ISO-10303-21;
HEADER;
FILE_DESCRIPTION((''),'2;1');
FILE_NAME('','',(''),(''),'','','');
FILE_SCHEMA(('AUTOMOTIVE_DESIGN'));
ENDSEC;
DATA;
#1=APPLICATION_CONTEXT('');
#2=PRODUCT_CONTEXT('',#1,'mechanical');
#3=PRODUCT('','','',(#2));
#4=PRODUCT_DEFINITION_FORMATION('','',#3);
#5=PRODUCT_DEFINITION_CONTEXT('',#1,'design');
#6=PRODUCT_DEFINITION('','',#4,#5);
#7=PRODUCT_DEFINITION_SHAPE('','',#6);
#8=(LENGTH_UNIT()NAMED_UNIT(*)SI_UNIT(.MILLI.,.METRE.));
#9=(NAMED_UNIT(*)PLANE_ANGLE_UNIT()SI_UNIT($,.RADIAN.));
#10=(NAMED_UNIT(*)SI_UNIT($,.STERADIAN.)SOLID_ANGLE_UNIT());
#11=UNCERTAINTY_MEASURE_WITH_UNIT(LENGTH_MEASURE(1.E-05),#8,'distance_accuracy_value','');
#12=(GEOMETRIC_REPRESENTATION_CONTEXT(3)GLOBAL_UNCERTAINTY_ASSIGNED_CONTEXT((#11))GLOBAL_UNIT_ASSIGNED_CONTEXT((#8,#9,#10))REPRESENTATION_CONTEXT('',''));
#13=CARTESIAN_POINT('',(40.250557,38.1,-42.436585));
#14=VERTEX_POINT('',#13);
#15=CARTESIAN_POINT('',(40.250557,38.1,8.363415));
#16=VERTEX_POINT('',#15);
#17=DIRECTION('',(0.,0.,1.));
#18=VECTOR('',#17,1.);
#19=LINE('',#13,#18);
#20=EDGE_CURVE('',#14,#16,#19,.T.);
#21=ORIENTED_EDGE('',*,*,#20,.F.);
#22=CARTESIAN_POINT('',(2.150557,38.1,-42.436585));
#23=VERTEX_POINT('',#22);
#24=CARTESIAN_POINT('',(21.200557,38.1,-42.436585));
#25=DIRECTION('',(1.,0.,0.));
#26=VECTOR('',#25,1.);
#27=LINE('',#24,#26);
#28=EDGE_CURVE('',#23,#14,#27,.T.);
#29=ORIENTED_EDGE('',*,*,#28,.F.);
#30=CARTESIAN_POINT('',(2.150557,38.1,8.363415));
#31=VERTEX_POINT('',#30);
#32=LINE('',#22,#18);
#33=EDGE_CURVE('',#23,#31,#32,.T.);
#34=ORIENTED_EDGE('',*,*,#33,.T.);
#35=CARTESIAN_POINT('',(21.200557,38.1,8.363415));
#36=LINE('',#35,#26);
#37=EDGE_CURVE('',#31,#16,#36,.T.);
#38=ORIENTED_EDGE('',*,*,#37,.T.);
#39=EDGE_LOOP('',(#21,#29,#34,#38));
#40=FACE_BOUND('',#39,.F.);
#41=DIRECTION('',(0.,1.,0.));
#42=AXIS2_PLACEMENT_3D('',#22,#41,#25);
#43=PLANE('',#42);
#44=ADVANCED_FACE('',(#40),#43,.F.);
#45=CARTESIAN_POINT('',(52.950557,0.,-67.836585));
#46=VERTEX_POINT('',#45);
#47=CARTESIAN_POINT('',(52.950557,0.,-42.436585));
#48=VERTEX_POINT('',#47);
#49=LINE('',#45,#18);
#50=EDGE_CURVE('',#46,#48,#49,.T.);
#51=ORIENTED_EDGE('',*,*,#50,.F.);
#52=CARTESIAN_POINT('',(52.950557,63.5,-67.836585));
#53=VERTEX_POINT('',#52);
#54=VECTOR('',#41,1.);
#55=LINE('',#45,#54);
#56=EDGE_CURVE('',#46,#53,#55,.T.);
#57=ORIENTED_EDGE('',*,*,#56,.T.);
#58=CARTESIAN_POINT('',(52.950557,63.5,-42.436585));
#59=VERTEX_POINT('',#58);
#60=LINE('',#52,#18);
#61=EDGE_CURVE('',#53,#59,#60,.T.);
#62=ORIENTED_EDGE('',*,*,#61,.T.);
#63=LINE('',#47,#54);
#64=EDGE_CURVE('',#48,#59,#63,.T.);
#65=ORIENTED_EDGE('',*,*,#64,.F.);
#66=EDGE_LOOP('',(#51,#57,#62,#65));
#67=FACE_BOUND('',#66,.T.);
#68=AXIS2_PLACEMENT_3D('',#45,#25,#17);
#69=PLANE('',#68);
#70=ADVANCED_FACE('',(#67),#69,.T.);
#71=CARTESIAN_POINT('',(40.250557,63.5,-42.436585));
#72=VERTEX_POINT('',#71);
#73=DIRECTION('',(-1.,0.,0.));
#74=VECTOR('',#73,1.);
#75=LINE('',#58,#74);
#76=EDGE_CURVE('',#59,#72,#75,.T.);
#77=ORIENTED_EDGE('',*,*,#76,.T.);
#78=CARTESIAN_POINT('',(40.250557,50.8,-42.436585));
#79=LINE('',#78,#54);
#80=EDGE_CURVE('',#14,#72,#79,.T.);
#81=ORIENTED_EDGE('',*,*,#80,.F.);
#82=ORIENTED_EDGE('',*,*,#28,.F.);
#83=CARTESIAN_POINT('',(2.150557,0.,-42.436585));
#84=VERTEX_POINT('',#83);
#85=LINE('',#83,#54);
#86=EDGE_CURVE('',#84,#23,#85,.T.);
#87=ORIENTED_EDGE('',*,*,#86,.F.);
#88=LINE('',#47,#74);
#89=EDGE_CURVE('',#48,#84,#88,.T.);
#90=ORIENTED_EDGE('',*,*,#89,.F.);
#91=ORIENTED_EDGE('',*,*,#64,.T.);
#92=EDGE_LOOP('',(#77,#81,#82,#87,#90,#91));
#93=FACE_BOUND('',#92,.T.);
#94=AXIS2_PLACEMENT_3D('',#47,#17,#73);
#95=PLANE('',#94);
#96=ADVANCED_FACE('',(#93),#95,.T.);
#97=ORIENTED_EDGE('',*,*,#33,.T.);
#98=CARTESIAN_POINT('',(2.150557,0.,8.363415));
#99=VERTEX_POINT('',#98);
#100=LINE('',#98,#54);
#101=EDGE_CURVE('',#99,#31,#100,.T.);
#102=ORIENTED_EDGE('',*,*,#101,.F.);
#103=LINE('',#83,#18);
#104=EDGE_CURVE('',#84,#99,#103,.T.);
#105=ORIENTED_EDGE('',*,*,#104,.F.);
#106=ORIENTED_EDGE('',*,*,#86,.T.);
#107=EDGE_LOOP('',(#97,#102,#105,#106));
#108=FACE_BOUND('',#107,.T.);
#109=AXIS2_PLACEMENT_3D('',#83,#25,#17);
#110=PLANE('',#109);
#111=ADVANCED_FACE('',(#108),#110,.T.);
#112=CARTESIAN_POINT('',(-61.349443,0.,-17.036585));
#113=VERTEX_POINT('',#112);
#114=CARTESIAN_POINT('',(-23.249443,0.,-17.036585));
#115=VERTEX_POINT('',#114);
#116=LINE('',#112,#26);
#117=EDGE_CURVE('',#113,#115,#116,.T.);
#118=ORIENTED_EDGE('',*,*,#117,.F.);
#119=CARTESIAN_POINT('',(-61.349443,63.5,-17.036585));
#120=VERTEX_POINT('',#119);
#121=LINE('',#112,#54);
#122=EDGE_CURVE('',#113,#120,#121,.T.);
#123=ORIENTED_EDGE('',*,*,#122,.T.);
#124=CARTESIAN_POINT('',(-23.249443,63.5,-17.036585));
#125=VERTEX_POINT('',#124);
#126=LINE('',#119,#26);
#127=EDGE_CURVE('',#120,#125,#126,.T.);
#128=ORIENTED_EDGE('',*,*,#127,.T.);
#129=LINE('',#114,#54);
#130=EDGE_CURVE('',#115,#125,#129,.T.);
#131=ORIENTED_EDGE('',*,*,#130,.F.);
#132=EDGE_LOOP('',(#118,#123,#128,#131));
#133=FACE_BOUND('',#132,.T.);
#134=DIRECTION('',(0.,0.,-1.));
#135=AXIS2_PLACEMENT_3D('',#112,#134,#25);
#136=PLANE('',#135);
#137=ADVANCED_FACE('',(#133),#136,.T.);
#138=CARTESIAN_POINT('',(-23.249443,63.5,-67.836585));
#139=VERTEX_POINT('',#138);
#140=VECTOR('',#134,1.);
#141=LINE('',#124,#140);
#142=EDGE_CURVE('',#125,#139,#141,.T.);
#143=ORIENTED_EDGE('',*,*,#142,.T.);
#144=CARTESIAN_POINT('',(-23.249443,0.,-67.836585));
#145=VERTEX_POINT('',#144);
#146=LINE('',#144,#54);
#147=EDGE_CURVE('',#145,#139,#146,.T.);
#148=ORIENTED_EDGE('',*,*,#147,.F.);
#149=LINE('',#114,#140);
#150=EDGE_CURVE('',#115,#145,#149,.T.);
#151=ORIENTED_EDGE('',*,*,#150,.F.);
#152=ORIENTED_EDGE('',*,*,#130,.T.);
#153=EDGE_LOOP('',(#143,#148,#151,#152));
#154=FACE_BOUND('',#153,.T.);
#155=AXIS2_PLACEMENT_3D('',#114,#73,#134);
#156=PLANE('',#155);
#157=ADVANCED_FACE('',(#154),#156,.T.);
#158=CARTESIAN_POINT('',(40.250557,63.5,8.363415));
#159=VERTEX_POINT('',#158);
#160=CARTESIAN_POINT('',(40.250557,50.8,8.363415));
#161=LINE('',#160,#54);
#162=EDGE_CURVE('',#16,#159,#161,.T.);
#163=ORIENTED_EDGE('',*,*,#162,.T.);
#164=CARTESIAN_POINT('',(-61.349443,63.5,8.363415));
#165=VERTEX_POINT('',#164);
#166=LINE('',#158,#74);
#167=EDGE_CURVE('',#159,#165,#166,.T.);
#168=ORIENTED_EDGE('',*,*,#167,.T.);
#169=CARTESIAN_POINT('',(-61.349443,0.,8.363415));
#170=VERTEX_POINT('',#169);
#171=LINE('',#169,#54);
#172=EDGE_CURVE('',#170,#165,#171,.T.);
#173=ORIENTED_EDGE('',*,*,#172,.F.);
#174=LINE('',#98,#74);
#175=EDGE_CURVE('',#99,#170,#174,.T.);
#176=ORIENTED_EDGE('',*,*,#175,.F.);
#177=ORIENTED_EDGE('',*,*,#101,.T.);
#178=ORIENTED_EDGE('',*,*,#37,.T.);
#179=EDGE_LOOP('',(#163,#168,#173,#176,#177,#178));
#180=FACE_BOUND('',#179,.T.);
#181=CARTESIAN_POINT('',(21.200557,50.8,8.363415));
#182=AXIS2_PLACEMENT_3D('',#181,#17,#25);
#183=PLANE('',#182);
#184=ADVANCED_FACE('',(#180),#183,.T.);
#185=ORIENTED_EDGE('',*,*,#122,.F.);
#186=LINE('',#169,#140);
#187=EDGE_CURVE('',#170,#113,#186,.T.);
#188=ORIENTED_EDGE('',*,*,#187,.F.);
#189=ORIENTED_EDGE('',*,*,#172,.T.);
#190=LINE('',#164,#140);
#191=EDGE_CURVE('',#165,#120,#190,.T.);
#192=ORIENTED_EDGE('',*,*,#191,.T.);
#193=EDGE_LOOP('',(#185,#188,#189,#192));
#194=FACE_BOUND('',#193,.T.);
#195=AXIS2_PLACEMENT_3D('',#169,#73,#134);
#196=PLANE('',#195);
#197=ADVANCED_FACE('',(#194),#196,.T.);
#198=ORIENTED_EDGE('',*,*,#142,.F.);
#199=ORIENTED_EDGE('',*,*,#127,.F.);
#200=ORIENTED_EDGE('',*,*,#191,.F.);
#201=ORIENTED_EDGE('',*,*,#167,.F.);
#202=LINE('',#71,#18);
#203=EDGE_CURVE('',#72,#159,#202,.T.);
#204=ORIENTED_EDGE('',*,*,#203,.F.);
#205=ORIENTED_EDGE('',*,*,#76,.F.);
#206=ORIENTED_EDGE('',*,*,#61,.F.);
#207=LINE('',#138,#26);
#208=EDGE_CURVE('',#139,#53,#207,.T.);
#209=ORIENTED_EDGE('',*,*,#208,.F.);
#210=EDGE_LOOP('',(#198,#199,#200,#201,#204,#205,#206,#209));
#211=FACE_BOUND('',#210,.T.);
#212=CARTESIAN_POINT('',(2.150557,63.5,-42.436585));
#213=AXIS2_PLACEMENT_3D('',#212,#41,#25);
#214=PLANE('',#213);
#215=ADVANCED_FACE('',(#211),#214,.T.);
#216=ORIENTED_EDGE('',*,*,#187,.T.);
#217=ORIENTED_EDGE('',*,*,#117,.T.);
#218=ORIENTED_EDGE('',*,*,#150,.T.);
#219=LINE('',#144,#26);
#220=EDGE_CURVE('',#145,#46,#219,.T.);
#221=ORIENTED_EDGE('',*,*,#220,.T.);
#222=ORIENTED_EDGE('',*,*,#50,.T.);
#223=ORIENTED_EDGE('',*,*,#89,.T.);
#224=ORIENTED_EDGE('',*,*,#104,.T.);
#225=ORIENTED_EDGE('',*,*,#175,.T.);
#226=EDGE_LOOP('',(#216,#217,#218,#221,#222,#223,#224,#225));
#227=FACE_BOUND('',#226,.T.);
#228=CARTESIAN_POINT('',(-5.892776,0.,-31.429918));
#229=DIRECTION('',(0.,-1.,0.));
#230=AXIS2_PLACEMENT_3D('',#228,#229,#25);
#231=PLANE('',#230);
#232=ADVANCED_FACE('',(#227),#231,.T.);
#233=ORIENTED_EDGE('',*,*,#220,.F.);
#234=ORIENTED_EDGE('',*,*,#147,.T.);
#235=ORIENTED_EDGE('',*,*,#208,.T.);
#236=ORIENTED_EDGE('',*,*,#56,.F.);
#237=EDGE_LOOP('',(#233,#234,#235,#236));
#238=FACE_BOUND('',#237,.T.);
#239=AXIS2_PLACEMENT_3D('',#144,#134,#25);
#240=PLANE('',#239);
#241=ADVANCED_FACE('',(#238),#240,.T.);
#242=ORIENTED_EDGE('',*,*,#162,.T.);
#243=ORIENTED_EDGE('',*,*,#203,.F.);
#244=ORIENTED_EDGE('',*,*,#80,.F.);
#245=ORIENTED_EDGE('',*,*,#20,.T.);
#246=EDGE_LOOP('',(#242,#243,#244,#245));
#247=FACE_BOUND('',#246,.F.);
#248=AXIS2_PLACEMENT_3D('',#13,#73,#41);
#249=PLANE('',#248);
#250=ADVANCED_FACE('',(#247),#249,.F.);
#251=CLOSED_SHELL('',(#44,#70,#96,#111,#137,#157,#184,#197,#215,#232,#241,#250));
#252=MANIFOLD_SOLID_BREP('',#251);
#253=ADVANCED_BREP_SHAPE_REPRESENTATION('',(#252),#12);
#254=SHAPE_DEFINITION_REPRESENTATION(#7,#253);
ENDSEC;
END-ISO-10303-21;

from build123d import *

# Parameters (mm, degrees)
F1_DEPTH = 63.5
F2_W     = 38.1
F2_H     = 25.4
F3_DEPTH = 50.8


with BuildPart() as f1:
    # F0 (on Front) → F1 (new body)
    with BuildSketch(Plane.XZ):
        Polygon((2.150557, 8.363415), (-61.349443, 8.363415), (-61.349443, -17.036585), (-23.249443, -17.036585), (-23.249443, -67.836585), (52.950557, -67.836585), (52.950557, -42.436585), (2.150557, -42.436585), align=None)
    extrude(amount=-F1_DEPTH)

    # F2 (on face) → F3 (join)
    with BuildSketch(Plane.XY.offset(-42.436585)):
        with Locations((21.200557, 50.8)):
            Rectangle(F2_W, F2_H)
    extrude(amount=F3_DEPTH)


solid = f1.part
